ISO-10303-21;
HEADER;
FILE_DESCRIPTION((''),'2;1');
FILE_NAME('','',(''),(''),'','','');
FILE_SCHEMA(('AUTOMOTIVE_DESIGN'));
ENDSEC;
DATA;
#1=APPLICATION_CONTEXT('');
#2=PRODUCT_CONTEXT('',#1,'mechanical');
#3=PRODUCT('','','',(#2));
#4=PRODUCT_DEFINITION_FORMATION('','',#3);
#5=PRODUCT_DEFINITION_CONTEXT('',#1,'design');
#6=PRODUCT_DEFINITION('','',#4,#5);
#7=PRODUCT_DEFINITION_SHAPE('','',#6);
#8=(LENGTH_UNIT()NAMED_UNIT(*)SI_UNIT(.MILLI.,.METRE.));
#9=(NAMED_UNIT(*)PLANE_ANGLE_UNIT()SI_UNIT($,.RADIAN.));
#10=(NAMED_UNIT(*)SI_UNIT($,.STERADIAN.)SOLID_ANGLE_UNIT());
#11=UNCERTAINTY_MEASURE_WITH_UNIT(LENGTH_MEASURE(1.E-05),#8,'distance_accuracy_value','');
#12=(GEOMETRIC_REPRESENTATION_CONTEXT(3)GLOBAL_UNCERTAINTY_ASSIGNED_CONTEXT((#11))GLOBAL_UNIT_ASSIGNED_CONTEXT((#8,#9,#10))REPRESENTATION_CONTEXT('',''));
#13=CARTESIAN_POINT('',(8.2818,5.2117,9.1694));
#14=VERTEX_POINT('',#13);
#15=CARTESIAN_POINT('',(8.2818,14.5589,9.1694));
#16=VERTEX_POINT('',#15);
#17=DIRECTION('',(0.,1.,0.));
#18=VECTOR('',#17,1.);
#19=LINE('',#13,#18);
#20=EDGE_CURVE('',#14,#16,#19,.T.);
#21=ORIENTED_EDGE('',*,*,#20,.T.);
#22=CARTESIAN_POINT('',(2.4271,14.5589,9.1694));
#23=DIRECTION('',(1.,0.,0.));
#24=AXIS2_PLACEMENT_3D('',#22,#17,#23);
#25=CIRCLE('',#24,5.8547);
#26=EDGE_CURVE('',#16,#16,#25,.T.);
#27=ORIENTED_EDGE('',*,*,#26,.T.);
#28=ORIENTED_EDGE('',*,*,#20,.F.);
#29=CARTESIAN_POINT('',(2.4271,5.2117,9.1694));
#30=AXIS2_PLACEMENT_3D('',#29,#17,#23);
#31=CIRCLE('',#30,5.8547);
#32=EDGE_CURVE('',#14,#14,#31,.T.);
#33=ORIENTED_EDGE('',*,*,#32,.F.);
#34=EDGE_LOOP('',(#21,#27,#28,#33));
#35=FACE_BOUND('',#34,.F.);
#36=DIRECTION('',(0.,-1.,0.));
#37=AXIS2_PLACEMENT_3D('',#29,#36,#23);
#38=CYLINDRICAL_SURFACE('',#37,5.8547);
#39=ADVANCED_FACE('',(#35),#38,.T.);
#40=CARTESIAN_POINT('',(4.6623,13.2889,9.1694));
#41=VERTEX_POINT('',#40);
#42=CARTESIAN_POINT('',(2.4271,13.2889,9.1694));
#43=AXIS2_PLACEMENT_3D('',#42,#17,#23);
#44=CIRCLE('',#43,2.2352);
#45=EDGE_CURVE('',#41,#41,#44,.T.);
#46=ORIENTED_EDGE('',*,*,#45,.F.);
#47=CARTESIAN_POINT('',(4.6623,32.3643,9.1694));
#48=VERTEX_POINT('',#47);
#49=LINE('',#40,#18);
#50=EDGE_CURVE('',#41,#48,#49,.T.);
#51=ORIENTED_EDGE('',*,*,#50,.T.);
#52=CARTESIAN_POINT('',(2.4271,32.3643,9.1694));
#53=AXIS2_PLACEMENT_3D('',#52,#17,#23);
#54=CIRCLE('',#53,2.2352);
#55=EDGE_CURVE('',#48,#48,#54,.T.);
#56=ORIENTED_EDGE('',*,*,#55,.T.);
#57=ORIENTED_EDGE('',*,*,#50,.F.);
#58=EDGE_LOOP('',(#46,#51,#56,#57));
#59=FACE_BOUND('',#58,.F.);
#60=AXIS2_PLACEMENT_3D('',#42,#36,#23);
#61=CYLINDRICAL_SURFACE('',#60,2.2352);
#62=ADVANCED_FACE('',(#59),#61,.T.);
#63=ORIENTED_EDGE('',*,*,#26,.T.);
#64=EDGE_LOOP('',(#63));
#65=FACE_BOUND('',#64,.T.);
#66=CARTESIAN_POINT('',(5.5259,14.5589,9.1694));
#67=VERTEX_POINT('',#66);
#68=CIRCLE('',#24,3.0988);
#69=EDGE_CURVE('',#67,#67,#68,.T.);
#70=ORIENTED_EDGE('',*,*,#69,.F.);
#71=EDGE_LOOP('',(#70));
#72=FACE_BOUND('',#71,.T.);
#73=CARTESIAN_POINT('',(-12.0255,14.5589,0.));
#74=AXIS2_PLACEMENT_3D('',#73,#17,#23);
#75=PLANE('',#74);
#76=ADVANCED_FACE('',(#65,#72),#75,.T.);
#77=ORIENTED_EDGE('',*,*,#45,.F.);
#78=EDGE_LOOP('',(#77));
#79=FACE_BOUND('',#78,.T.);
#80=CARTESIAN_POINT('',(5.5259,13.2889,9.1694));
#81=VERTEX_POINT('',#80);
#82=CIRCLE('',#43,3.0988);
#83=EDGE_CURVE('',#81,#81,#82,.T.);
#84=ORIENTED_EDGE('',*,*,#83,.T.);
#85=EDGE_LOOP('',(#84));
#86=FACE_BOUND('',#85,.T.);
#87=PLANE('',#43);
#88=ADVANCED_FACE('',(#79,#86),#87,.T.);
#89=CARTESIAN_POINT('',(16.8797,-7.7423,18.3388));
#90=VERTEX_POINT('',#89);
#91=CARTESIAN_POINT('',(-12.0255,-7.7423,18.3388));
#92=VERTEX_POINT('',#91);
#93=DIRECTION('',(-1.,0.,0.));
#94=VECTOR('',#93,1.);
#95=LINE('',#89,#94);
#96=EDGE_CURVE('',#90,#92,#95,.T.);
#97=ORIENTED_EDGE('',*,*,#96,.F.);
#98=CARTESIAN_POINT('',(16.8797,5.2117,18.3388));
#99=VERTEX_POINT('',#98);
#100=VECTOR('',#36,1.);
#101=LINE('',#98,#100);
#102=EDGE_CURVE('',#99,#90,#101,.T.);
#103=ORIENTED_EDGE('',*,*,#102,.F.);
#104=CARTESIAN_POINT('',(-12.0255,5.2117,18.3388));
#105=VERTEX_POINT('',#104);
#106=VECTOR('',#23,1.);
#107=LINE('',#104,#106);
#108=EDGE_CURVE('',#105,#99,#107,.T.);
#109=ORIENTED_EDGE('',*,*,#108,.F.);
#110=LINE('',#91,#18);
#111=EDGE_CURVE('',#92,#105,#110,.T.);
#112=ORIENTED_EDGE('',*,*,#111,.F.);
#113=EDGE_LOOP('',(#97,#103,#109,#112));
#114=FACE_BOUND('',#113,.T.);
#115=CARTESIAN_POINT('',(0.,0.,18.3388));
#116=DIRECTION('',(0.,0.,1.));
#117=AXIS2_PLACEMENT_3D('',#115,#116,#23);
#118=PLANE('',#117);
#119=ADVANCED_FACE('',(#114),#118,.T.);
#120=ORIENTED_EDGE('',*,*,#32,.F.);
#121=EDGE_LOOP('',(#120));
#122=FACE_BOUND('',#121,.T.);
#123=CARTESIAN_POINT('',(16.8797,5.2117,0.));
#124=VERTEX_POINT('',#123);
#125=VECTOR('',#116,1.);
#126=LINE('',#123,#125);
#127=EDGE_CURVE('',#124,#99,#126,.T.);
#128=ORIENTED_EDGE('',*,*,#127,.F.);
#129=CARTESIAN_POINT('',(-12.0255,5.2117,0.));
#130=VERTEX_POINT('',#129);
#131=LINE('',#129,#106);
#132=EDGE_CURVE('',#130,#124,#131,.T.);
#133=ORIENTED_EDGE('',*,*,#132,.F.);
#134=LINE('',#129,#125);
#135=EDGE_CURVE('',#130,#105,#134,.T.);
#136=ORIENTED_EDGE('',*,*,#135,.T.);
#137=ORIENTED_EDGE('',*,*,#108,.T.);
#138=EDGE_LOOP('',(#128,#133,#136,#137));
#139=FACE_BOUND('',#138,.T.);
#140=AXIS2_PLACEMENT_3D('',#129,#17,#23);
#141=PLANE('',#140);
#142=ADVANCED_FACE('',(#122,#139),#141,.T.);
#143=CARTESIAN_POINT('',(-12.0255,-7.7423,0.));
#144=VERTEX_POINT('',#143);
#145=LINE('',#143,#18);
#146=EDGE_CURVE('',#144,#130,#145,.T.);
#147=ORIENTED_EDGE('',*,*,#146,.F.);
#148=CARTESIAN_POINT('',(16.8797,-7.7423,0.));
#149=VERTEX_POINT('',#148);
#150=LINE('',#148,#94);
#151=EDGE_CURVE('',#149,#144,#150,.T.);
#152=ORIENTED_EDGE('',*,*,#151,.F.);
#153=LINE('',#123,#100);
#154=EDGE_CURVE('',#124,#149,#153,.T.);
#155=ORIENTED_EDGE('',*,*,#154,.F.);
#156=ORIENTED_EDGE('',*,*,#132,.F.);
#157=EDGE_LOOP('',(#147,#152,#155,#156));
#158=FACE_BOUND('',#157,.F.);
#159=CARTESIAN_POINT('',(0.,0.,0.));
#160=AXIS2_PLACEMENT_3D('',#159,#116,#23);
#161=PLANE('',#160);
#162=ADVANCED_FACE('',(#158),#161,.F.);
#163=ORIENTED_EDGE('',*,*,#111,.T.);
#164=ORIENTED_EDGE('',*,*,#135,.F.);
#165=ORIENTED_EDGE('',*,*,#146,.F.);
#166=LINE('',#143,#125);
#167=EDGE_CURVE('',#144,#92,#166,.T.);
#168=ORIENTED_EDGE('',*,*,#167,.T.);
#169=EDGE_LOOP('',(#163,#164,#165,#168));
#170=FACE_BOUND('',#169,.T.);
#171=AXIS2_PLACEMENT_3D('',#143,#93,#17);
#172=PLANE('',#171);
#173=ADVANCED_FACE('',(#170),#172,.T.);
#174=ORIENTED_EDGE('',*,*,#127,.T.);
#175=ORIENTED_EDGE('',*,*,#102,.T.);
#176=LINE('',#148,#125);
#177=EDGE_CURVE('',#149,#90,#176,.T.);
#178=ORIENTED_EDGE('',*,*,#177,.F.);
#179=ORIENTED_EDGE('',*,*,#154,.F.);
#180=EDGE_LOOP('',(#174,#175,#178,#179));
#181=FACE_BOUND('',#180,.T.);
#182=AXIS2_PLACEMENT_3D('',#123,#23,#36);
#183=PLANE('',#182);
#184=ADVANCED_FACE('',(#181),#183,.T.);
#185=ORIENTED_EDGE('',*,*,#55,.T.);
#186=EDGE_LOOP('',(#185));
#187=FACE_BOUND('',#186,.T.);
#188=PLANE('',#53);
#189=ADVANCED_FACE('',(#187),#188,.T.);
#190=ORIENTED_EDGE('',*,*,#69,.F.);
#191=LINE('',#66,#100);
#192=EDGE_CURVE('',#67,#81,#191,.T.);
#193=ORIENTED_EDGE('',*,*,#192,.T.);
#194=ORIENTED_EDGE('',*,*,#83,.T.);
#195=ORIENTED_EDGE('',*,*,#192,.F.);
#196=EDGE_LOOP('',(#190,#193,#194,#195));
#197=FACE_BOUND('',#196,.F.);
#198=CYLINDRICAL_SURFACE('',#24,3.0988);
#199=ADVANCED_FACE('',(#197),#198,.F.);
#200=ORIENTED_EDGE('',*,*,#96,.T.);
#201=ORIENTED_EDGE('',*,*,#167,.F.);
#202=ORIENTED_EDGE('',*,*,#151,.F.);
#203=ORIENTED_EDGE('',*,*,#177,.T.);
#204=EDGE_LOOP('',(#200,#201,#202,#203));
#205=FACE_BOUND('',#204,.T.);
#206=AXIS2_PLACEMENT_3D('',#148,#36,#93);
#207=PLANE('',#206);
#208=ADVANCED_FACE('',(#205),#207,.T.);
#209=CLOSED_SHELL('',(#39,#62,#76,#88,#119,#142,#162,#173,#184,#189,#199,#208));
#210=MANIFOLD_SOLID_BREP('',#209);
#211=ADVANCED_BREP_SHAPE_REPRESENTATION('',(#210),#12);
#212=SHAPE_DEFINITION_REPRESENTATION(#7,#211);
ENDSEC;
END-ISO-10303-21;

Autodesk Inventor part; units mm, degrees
ref_plane "YZ Plane" through (0, 0, 0) normal (1, 0, 0) x (0, 1, 0)
ref_plane "XZ Plane" through (0, 0, 0) normal (0, 1, 0) x (-1, 0, 0)
ref_plane "XY Plane" through (0, 0, 0) normal (0, 0, 1) x (1, 0, 0)
sketch "Sketch1" plane through (0, 0, 0) normal (0, 0, 1) x (1, 0, 0)
  line L0 (-12.0255, 5.2117) -> (16.8797, 5.2117)
  line L1 (16.8797, 5.2117) -> (16.8797, -7.7423)
  line L2 (16.8797, -7.7423) -> (-12.0255, -7.7423)
  line L3 (-12.0255, -7.7423) -> (-12.0255, 5.2117)
  point P0 (0, 0)
  dimension "d0" = 12.954
  dimension "d1" = 28.9052
extrude "Extrusion1" add sketch "Sketch1" along normal blind 18.3388
sketch "Sketch2" plane through (-12.0255, 5.2117, 0) normal (0, 1, 0) x (1, 0, 0)
  line L0 (0, 0) -> (28.9052, 0) projected
  line L1 (28.9052, -18.3388) -> (0, -18.3388) projected
  line L2 (0, 0) -> (0, -18.3388) projected
  circle A0 centre (14.4526, -9.1694) radius 5.8547
  point P0 (12.0255, 0)
  dimension "d4" = 11.7094
extrude "Extrusion2" add sketch "Sketch2" along normal blind 9.3472
sketch "Sketch3" plane through (2.4271, 14.5589, 9.1694) normal (0, 1, 0) x (1, 0, 0)
  circle A0 centre (0, 0) radius 3.0988
  point P0 (-2.4271, 9.1694)
  dimension "d7" = 6.1976
extrude "Extrusion3" cut sketch "Sketch3" against normal blind 1.27
sketch "Sketch4" plane through (2.4271, 13.2889, 9.1694) normal (0, 1, 0) x (1, 0, 0)
  circle A0 centre (0, 0) radius 2.2352
  point P0 (-2.4271, 9.1694)
  dimension "d10" = 4.4704
extrude "Extrusion4" add sketch "Sketch4" along normal blind 19.0754
properties part number "mcdave_switch"
